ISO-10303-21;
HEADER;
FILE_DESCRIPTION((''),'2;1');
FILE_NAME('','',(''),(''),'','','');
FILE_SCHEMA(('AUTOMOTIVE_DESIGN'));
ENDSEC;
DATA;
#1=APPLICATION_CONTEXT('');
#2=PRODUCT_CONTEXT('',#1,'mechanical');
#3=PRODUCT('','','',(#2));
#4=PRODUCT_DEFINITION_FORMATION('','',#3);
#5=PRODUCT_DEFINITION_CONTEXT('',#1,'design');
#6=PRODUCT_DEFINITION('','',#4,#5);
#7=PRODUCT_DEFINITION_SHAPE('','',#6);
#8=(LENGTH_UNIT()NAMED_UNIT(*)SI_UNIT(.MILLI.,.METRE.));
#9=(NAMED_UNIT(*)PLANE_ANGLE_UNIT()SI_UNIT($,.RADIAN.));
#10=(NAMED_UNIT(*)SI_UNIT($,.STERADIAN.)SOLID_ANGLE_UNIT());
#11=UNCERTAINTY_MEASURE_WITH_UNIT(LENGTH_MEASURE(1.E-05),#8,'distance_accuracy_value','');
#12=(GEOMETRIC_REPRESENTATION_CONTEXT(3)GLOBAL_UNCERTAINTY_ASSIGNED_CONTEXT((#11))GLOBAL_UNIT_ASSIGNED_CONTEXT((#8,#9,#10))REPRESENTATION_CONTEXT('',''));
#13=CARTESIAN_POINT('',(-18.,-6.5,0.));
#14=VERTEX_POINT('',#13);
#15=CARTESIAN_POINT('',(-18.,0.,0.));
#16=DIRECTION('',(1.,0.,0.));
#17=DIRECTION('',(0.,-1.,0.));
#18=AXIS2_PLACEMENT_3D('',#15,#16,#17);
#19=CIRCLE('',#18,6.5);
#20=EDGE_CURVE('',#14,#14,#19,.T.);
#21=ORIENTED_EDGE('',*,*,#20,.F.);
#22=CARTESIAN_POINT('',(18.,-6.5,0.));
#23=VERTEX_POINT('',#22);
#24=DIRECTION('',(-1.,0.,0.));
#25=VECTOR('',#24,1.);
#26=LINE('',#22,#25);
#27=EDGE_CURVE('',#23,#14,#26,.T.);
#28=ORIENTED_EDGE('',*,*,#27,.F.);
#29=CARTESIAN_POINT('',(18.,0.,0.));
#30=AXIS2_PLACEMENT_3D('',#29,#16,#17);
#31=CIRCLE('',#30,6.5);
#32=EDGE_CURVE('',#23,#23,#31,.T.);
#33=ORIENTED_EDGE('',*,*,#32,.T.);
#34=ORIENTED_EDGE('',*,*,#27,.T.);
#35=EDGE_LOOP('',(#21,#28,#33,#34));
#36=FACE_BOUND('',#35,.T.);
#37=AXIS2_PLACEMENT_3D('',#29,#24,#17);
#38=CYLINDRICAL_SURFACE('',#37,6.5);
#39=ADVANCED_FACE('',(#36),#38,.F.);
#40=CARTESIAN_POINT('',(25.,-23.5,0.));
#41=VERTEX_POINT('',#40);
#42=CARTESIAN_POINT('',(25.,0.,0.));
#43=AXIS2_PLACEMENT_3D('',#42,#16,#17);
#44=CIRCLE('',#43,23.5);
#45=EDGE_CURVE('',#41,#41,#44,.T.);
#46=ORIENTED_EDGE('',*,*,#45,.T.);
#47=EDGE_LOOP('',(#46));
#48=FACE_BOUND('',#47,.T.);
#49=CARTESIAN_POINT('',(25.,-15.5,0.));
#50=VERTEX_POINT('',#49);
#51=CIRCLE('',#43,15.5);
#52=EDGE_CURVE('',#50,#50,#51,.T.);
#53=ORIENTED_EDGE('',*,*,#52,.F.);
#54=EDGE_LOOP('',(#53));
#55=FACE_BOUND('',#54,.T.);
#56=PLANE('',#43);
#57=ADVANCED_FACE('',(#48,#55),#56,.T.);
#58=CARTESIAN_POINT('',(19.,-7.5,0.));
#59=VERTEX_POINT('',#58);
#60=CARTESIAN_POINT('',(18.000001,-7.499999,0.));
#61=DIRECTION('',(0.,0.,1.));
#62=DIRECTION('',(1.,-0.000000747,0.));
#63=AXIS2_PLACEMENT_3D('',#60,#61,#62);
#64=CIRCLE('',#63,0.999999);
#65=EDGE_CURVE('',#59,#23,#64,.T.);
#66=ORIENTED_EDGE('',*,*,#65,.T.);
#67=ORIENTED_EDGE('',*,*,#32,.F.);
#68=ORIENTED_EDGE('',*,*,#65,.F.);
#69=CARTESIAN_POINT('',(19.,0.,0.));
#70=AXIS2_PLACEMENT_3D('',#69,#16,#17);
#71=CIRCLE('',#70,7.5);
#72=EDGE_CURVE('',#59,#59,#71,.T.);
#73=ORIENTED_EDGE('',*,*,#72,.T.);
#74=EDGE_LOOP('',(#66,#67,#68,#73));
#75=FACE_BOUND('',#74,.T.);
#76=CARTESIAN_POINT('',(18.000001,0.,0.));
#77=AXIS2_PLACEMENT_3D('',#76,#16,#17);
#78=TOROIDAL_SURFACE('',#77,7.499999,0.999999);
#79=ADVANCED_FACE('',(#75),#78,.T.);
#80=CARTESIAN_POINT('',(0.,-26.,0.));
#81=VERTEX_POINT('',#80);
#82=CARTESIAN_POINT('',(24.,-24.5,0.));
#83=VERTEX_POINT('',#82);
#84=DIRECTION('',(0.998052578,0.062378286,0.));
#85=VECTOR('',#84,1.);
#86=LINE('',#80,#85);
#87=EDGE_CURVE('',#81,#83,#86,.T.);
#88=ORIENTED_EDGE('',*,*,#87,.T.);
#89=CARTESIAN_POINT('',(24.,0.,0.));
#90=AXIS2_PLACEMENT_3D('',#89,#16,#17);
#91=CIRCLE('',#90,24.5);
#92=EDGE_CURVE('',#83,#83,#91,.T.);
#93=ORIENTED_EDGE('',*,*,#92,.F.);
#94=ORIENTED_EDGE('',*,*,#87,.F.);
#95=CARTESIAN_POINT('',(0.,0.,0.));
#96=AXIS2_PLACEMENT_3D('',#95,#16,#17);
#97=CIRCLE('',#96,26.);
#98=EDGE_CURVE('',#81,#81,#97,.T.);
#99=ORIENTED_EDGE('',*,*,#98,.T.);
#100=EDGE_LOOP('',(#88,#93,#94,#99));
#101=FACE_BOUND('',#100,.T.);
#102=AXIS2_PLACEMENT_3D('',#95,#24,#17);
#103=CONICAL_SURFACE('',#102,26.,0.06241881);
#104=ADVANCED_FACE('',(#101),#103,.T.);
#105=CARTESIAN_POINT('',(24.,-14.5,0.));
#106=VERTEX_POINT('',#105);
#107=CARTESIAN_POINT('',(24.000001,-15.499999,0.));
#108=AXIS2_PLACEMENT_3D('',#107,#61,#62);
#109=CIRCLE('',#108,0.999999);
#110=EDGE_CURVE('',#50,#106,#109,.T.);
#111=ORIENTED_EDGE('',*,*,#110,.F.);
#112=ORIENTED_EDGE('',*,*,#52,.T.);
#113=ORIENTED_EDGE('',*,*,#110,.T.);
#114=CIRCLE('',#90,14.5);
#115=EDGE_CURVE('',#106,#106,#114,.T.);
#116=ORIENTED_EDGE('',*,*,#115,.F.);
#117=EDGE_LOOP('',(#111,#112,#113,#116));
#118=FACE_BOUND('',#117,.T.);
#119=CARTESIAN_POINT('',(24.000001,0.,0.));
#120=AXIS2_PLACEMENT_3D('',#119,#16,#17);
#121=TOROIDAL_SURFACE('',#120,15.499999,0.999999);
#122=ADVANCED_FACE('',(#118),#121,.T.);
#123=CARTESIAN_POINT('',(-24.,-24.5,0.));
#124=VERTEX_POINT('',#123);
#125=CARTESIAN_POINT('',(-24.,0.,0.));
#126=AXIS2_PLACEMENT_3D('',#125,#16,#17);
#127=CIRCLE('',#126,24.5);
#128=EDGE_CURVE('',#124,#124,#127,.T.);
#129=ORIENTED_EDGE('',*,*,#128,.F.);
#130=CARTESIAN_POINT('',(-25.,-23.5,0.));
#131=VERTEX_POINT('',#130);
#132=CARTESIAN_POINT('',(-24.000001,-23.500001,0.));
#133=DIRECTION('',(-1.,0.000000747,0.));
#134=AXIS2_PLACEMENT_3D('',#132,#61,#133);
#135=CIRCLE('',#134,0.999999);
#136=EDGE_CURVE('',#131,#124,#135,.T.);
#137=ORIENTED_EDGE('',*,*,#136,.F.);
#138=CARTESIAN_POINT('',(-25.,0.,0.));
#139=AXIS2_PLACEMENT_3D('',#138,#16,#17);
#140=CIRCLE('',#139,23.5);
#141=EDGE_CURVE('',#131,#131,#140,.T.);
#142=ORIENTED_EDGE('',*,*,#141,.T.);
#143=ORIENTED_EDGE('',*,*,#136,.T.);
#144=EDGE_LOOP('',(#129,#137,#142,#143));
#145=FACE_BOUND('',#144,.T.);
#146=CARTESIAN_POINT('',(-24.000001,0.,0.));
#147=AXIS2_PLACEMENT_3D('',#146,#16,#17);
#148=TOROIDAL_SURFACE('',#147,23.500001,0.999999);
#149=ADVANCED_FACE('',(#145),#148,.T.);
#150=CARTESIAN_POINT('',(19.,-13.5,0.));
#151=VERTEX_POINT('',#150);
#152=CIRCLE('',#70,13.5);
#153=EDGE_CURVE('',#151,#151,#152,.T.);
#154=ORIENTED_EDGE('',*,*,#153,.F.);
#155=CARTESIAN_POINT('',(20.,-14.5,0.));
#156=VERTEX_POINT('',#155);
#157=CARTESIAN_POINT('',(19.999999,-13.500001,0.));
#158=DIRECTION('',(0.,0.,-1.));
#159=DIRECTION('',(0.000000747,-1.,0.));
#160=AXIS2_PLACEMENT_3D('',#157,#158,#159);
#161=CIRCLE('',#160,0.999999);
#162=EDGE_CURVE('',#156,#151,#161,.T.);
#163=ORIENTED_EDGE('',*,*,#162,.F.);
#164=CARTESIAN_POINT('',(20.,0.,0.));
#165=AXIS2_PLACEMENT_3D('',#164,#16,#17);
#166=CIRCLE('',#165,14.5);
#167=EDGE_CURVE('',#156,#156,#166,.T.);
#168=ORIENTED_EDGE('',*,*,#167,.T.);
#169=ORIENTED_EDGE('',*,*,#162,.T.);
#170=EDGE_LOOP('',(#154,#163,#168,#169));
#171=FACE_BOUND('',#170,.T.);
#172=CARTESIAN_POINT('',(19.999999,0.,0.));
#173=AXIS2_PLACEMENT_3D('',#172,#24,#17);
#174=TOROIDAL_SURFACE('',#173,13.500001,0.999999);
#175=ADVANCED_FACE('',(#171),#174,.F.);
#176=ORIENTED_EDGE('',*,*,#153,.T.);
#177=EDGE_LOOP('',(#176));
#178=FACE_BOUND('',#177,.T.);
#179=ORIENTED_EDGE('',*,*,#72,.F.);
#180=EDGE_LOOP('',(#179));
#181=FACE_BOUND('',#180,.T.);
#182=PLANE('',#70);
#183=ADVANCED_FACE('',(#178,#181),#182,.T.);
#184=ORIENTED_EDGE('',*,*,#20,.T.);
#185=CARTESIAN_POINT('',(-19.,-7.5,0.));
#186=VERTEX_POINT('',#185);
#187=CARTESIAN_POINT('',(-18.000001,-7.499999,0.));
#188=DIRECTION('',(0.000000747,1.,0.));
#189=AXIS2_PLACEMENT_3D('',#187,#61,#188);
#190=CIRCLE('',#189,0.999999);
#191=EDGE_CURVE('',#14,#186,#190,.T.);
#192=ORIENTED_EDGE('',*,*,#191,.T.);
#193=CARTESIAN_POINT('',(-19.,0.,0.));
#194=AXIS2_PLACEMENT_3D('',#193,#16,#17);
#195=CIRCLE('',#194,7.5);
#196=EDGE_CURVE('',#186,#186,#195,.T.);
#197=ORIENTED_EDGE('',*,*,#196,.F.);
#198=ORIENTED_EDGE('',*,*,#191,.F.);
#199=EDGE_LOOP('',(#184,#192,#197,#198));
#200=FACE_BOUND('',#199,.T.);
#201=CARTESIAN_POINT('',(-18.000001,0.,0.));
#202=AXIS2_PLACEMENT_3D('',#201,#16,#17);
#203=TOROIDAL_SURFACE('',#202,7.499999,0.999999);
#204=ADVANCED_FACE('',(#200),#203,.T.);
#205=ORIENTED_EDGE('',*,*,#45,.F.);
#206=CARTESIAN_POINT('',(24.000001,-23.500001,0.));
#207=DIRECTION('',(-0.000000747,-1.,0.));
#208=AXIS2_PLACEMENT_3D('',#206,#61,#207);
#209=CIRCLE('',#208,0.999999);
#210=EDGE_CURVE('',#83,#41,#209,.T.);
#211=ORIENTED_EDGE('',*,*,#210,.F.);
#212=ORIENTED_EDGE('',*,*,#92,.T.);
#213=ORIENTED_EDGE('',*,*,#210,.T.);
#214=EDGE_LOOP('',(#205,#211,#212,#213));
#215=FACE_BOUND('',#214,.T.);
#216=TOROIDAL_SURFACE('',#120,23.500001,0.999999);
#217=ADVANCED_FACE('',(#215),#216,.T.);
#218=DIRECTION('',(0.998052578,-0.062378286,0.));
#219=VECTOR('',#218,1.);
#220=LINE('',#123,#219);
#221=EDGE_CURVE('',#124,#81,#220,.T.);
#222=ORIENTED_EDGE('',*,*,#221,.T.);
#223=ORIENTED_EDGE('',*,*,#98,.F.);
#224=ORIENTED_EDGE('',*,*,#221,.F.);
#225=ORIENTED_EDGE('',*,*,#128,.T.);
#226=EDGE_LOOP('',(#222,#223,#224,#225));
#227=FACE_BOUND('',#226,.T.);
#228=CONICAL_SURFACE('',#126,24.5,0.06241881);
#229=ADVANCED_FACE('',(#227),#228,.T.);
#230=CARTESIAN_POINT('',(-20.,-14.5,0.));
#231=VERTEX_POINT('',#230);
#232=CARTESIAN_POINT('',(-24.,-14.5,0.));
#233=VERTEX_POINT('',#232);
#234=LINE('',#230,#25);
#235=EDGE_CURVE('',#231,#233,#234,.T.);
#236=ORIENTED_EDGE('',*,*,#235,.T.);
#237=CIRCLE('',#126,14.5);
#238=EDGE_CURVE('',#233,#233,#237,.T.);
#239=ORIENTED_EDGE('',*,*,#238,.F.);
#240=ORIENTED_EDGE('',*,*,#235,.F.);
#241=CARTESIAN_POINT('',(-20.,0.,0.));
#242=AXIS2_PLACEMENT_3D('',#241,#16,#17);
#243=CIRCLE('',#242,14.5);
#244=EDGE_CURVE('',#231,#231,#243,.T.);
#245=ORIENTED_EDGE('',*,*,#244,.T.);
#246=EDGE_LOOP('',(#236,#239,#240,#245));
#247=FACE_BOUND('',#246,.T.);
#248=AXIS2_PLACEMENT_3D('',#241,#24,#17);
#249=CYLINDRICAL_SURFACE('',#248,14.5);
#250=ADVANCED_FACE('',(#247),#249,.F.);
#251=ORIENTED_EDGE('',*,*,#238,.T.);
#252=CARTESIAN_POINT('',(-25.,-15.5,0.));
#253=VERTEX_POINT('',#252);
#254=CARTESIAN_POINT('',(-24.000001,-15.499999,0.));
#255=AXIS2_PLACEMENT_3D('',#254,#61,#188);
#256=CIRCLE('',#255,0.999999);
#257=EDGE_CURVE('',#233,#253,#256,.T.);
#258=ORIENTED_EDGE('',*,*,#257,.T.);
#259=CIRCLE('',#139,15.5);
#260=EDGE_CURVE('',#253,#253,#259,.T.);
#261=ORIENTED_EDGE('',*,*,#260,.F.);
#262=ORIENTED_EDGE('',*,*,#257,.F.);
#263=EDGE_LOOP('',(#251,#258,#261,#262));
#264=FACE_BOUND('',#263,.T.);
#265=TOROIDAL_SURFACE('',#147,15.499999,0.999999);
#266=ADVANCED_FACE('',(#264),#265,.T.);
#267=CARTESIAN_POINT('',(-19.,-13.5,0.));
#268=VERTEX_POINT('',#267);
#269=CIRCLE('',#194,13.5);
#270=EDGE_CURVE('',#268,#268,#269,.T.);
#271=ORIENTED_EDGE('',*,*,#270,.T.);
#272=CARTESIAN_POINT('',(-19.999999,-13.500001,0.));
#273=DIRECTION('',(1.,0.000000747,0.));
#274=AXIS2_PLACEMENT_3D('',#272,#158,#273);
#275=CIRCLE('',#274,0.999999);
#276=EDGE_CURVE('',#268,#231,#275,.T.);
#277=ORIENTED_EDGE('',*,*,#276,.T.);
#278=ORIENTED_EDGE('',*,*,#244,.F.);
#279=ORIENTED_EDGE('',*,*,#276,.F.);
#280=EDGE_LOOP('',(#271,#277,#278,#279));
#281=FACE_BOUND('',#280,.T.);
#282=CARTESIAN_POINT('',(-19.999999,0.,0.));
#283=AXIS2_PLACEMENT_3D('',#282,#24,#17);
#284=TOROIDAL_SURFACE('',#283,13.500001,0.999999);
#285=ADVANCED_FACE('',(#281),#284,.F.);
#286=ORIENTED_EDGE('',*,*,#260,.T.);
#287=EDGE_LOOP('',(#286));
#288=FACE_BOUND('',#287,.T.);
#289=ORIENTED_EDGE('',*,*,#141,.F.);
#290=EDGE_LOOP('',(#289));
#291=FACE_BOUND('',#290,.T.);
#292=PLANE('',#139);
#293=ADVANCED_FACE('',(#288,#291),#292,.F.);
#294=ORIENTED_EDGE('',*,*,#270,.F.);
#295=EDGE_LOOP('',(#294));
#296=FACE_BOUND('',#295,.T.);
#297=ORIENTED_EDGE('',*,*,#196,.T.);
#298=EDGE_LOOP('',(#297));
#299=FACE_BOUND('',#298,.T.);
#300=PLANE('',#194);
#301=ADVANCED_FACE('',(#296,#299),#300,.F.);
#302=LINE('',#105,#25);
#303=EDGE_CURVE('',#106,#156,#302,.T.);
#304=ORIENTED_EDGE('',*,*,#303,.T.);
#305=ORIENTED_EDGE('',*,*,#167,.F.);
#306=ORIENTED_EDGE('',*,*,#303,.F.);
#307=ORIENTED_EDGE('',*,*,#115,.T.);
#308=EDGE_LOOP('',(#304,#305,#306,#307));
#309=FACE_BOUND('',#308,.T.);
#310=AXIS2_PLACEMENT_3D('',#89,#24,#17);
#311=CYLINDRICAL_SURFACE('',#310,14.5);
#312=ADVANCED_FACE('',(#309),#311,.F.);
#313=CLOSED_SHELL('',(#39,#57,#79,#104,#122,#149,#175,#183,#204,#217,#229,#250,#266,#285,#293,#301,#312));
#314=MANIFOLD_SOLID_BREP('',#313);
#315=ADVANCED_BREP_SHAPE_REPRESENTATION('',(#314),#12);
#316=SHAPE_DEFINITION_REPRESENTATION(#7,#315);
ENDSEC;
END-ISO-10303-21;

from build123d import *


with BuildPart() as f1:
    # F0 (on Top) → F1 (revolve)
    with BuildSketch(Plane.XY):
        with BuildLine():
            Line((18, -6.5), (0, -6.5))
            Line((0, -6.5), (-18, -6.5))
            ThreePointArc((-18, -6.5), (-18.707107, -6.792893), (-19, -7.5))
            Line((-19, -7.5), (-19, -13.5))
            ThreePointArc((-19, -13.5), (-19.292893, -14.207107), (-20, -14.5))
            Line((-20, -14.5), (-24, -14.5))
            ThreePointArc((-24, -14.5), (-24.707107, -14.792893), (-25, -15.5))
            Line((-25, -15.5), (-25, -23.5))
            ThreePointArc((-25, -23.5), (-24.707107, -24.207107), (-24, -24.5))
            Line((-24, -24.5), (0, -24.5))
            Line((0, -24.5), (24, -24.5))
            ThreePointArc((24, -24.5), (24.707107, -24.207107), (25, -23.5))
            Line((25, -23.5), (25, -15.5))
            ThreePointArc((25, -15.5), (24.707107, -14.792893), (24, -14.5))
            Line((24, -14.5), (20, -14.5))
            ThreePointArc((20, -14.5), (19.292893, -14.207107), (19, -13.5))
            Line((19, -13.5), (19, -7.5))
            ThreePointArc((19, -7.5), (18.707107, -6.792893), (18, -6.5))
        make_face()
        Polygon((0, -26), (24, -24.5), (0, -24.5), align=None)
        Polygon((0, -24.5), (-24, -24.5), (0, -26), align=None)
    revolve(axis=Axis((1.291273, 0, 0), (1, 0, 0)))


solid = f1.part
